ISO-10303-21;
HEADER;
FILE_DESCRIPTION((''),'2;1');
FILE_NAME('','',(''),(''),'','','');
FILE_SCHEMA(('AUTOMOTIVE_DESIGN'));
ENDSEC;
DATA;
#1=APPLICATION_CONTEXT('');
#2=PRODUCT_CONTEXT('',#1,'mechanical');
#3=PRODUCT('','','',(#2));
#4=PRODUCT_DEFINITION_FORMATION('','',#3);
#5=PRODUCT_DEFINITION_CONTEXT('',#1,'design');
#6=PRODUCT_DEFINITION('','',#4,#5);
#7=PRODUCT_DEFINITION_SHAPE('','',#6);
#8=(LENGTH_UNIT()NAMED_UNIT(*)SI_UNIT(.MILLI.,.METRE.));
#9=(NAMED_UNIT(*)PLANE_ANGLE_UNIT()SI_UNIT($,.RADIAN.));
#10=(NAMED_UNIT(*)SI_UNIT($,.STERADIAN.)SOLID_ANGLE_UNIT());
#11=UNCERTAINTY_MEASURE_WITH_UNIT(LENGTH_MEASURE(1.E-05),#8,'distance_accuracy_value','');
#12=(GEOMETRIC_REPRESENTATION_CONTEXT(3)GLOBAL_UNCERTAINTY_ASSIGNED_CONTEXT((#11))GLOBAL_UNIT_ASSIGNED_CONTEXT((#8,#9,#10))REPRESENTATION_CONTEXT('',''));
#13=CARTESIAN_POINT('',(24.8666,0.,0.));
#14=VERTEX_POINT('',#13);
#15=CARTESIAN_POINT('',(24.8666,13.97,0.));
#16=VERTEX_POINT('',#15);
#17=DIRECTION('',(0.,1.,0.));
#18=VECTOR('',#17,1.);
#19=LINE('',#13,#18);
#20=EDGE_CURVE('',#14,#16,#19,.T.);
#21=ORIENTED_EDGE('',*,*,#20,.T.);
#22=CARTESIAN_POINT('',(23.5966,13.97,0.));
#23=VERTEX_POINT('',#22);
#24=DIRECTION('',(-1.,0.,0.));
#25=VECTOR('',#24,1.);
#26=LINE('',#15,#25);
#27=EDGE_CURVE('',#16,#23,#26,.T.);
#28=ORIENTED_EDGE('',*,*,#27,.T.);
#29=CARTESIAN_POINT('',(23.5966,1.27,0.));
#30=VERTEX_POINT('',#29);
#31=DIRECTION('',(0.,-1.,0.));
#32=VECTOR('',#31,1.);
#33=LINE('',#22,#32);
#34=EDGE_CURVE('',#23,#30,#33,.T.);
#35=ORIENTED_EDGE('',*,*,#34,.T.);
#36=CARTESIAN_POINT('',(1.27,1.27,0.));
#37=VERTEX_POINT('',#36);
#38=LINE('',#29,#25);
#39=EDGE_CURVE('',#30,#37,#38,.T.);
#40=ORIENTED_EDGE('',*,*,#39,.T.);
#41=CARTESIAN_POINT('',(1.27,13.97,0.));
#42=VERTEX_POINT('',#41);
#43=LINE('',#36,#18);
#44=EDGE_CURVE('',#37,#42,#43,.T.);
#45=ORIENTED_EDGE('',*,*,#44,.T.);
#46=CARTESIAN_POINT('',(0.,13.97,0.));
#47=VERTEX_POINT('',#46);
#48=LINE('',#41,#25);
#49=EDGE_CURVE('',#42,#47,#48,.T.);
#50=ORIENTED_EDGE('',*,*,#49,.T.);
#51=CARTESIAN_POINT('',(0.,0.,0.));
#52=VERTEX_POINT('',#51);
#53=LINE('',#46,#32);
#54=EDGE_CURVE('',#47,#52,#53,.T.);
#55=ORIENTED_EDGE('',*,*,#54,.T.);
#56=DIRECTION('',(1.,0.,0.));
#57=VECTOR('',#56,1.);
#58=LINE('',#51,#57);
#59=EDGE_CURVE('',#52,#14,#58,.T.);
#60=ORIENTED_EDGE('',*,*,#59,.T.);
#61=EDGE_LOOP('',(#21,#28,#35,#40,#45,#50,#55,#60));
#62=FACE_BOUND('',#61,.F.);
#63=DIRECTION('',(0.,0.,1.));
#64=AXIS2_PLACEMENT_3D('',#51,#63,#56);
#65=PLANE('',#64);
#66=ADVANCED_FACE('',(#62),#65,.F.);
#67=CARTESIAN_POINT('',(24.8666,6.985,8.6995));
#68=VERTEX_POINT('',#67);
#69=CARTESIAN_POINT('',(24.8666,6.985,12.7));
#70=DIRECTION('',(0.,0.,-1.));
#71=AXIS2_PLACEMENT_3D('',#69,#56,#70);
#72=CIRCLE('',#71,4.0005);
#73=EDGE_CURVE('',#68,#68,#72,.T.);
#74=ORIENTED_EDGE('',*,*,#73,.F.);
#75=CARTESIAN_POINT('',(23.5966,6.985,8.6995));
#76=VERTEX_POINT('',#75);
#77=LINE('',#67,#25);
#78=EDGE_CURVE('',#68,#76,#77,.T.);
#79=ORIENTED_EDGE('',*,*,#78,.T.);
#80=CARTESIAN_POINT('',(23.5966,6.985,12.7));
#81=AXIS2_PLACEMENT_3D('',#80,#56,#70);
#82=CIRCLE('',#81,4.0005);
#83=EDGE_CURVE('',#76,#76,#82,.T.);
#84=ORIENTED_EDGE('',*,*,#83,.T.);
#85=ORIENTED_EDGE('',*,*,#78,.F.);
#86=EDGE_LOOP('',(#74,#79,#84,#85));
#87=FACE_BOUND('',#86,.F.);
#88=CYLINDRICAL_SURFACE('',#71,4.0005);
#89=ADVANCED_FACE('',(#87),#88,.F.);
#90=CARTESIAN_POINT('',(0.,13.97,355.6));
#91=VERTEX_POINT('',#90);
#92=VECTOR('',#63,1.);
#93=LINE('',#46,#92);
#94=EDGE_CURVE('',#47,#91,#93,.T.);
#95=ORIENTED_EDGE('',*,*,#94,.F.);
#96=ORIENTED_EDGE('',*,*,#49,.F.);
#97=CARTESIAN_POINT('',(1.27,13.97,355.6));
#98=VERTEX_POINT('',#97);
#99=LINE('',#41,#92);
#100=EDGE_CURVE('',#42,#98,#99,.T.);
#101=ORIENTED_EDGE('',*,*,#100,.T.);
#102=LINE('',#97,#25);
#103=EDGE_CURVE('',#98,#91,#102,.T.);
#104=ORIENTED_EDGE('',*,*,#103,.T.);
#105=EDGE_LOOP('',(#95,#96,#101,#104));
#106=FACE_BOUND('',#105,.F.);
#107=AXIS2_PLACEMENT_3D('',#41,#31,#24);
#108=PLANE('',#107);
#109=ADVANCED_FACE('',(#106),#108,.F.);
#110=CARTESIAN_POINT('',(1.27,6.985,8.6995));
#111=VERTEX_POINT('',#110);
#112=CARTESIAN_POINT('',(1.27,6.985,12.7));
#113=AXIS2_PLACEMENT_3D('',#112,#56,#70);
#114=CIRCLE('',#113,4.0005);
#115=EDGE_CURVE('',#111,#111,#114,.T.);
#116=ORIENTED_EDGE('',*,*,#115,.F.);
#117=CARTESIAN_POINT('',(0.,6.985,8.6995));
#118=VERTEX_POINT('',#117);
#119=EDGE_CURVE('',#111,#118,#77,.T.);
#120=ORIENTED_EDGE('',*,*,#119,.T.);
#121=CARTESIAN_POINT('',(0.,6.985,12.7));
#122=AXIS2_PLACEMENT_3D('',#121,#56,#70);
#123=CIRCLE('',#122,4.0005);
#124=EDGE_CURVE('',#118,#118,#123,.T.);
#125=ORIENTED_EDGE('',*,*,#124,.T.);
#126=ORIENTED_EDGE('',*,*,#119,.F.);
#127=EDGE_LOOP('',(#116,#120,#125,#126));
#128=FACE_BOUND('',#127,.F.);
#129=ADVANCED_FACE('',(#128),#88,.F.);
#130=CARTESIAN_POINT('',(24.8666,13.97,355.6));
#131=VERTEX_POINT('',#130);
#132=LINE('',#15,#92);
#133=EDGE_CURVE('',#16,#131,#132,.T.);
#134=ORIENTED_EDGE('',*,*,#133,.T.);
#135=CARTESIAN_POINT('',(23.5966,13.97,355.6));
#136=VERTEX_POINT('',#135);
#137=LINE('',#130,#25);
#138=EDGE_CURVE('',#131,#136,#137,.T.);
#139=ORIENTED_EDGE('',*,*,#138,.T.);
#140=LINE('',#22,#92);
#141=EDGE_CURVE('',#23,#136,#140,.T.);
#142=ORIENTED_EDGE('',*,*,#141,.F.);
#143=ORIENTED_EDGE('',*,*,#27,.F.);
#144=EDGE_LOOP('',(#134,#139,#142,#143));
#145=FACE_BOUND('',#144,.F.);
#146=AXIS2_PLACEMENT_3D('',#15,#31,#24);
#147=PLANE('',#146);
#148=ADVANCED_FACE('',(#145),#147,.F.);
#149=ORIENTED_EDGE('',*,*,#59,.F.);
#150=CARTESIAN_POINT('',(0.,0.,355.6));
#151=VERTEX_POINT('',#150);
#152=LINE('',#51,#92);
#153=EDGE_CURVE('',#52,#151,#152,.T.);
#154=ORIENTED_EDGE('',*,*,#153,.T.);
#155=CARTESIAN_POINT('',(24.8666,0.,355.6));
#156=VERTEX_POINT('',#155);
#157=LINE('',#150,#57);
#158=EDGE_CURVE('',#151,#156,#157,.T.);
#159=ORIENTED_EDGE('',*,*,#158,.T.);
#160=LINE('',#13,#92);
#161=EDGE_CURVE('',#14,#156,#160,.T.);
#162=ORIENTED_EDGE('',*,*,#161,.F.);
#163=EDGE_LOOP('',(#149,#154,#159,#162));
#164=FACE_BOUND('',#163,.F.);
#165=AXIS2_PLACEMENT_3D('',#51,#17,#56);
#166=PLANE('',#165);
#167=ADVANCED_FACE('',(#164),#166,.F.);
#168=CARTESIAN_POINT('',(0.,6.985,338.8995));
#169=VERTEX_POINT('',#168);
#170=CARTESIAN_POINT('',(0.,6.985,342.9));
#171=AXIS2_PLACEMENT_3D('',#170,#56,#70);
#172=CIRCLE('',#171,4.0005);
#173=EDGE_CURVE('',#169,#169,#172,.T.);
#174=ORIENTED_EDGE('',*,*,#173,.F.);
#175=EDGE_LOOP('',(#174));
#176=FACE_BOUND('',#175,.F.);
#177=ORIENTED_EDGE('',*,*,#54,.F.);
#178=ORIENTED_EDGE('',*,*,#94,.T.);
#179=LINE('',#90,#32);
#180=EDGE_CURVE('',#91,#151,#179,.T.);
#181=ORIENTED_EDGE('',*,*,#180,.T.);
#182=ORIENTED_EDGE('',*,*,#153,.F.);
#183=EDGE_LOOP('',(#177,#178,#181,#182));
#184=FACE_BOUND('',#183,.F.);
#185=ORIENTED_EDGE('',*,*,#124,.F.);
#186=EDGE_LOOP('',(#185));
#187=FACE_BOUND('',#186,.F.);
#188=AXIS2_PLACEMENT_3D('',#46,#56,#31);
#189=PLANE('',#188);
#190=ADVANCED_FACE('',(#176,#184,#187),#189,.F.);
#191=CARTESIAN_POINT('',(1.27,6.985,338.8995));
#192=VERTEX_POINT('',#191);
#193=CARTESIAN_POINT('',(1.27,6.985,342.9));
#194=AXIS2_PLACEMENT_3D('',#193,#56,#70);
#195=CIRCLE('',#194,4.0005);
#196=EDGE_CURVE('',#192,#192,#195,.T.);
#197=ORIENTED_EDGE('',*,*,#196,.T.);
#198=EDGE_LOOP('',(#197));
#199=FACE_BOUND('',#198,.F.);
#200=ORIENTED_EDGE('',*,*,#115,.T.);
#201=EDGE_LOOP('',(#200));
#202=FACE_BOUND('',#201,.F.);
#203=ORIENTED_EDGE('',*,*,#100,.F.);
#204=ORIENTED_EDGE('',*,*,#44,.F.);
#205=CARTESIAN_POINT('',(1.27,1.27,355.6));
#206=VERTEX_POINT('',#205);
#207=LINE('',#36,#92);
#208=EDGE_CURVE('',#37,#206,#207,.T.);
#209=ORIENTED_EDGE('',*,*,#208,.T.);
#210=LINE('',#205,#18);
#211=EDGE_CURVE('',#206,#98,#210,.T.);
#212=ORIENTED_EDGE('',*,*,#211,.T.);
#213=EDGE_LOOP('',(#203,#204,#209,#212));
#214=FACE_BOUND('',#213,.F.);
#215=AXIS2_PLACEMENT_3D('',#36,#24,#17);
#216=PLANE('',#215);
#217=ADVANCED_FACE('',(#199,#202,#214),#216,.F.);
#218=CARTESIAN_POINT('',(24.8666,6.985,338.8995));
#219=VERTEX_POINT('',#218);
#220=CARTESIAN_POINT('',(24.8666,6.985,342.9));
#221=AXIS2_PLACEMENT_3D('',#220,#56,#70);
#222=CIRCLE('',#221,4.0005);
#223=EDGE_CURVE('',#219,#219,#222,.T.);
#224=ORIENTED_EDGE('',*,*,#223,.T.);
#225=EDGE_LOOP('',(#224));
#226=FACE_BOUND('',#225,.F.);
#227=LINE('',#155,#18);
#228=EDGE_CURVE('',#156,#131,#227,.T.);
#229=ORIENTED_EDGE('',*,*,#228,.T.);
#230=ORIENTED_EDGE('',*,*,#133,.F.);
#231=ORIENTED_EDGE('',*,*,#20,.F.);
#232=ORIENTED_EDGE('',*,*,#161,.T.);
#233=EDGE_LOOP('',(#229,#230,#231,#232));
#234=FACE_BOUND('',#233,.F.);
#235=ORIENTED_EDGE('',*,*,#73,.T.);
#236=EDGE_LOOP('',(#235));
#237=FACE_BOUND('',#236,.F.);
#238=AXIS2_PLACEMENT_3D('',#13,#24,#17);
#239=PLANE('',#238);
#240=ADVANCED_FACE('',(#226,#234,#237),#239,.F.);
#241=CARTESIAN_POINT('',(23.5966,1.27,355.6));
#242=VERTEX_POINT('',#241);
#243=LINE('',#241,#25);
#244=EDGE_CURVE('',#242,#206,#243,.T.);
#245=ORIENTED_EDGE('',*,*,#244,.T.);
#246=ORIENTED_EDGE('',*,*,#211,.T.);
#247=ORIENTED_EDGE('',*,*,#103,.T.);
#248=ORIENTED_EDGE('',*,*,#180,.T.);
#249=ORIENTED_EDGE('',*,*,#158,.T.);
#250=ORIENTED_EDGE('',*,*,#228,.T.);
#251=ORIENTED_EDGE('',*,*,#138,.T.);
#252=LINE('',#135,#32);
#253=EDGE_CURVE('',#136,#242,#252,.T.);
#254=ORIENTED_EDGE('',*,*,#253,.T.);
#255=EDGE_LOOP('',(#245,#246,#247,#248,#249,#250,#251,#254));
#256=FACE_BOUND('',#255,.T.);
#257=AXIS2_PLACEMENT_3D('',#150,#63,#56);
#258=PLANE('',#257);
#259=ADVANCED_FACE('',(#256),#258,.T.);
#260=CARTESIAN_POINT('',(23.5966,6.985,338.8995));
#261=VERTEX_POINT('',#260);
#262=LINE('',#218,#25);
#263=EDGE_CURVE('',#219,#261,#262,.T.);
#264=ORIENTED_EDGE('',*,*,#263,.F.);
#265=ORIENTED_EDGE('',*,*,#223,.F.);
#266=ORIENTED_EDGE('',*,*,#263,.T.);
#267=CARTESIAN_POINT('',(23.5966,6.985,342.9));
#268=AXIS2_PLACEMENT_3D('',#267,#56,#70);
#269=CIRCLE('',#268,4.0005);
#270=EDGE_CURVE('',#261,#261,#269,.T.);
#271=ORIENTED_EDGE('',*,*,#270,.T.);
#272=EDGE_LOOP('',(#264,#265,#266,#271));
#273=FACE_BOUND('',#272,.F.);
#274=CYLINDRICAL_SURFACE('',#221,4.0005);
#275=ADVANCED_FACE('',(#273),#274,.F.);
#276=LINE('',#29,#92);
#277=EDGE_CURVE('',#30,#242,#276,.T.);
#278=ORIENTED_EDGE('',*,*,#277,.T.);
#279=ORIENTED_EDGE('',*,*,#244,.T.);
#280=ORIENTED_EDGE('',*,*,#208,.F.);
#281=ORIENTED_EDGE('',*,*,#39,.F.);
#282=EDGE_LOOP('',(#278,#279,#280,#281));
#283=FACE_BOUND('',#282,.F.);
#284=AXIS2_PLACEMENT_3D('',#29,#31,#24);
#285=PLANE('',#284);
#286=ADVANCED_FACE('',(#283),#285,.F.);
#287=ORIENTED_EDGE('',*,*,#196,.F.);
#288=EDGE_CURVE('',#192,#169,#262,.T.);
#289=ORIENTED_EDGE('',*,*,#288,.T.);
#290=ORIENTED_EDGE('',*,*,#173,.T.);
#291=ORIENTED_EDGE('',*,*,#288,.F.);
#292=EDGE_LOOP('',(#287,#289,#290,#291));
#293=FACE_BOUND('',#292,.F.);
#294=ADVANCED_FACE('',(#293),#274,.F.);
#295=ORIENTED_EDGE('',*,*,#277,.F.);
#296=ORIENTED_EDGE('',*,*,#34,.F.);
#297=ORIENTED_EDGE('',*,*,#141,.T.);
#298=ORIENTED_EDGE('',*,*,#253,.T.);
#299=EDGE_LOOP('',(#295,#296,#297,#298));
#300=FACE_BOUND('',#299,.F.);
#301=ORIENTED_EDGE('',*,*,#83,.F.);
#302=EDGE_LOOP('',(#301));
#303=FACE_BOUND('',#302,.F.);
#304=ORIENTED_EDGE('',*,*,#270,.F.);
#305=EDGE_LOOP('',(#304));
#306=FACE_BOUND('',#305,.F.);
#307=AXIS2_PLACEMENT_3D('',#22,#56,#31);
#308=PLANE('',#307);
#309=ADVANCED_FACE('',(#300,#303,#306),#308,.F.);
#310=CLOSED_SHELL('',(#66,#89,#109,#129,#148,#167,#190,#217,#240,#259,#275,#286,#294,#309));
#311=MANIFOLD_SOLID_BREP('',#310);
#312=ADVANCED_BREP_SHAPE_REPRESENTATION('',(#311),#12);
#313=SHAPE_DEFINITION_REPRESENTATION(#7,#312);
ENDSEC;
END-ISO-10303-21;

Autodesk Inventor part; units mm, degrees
ref_plane "YZ Plane" through (0, 0, 0) normal (1, 0, 0) x (0, 1, 0)
ref_plane "XZ Plane" through (0, 0, 0) normal (0, 1, 0) x (-1, 0, 0)
ref_plane "XY Plane" through (0, 0, 0) normal (0, 0, 1) x (1, 0, 0)
sketch "Sketch1" plane through (0, 0, 0) normal (0, 0, 1) x (1, 0, 0)
  line L0 (0, 13.97) -> (0, 0)
  line L1 (0, 0) -> (24.8666, 0)
  line L2 (24.8666, 0) -> (24.8666, 13.97)
  line L3 (23.5966, 13.97) -> (23.5966, 1.27)
  line L4 (23.5966, 1.27) -> (1.27, 1.27)
  line L5 (1.27, 1.27) -> (1.27, 13.97)
  line L6 (24.8666, 13.97) -> (23.5966, 13.97)
  line L7 (1.27, 13.97) -> (0, 13.97)
  dimension "d0" = 24.8666
  dimension "d2" = 13.97
  dimension "d3" = 1.27
  dimension "d4" = 1.27
  dimension "d5" = 1.27
extrude "Extrusion1" add sketch "Sketch1" along normal blind 355.6
sketch "Sketch2" plane through (24.8666, 0, 0) normal (1, 0, 0) x (0, 0, -1)
  line L0 (0, 13.97) -> (0, 0) projected
  line L1 (-355.6, 0) -> (-355.6, 13.97) projected
  circle A0 centre (-342.9, 6.985) radius 4.0005
  circle A1 centre (-12.7, 6.985) radius 4.0005
  dimension "d8" = 8.001
  dimension "d9" = 8.001
  dimension "d10" = 12.7
  dimension "d11" = 12.7
extrude "Extrusion2" cut sketch "Sketch2" against normal blind 317.5 contours A1
sketch "Sketch3" plane through (24.8666, 0, 0) normal (1, 0, 0) x (0, 0, -1)
  line L0 (-355.6, 0) -> (-355.6, 13.97) projected
  circle A0 centre (-342.9, 6.985) radius 4.0005
  dimension "d14" = 8.001
  dimension "d15" = 12.7
extrude "Extrusion3" cut sketch "Sketch3" against normal blind 317.5
properties part number "U-Channel"
